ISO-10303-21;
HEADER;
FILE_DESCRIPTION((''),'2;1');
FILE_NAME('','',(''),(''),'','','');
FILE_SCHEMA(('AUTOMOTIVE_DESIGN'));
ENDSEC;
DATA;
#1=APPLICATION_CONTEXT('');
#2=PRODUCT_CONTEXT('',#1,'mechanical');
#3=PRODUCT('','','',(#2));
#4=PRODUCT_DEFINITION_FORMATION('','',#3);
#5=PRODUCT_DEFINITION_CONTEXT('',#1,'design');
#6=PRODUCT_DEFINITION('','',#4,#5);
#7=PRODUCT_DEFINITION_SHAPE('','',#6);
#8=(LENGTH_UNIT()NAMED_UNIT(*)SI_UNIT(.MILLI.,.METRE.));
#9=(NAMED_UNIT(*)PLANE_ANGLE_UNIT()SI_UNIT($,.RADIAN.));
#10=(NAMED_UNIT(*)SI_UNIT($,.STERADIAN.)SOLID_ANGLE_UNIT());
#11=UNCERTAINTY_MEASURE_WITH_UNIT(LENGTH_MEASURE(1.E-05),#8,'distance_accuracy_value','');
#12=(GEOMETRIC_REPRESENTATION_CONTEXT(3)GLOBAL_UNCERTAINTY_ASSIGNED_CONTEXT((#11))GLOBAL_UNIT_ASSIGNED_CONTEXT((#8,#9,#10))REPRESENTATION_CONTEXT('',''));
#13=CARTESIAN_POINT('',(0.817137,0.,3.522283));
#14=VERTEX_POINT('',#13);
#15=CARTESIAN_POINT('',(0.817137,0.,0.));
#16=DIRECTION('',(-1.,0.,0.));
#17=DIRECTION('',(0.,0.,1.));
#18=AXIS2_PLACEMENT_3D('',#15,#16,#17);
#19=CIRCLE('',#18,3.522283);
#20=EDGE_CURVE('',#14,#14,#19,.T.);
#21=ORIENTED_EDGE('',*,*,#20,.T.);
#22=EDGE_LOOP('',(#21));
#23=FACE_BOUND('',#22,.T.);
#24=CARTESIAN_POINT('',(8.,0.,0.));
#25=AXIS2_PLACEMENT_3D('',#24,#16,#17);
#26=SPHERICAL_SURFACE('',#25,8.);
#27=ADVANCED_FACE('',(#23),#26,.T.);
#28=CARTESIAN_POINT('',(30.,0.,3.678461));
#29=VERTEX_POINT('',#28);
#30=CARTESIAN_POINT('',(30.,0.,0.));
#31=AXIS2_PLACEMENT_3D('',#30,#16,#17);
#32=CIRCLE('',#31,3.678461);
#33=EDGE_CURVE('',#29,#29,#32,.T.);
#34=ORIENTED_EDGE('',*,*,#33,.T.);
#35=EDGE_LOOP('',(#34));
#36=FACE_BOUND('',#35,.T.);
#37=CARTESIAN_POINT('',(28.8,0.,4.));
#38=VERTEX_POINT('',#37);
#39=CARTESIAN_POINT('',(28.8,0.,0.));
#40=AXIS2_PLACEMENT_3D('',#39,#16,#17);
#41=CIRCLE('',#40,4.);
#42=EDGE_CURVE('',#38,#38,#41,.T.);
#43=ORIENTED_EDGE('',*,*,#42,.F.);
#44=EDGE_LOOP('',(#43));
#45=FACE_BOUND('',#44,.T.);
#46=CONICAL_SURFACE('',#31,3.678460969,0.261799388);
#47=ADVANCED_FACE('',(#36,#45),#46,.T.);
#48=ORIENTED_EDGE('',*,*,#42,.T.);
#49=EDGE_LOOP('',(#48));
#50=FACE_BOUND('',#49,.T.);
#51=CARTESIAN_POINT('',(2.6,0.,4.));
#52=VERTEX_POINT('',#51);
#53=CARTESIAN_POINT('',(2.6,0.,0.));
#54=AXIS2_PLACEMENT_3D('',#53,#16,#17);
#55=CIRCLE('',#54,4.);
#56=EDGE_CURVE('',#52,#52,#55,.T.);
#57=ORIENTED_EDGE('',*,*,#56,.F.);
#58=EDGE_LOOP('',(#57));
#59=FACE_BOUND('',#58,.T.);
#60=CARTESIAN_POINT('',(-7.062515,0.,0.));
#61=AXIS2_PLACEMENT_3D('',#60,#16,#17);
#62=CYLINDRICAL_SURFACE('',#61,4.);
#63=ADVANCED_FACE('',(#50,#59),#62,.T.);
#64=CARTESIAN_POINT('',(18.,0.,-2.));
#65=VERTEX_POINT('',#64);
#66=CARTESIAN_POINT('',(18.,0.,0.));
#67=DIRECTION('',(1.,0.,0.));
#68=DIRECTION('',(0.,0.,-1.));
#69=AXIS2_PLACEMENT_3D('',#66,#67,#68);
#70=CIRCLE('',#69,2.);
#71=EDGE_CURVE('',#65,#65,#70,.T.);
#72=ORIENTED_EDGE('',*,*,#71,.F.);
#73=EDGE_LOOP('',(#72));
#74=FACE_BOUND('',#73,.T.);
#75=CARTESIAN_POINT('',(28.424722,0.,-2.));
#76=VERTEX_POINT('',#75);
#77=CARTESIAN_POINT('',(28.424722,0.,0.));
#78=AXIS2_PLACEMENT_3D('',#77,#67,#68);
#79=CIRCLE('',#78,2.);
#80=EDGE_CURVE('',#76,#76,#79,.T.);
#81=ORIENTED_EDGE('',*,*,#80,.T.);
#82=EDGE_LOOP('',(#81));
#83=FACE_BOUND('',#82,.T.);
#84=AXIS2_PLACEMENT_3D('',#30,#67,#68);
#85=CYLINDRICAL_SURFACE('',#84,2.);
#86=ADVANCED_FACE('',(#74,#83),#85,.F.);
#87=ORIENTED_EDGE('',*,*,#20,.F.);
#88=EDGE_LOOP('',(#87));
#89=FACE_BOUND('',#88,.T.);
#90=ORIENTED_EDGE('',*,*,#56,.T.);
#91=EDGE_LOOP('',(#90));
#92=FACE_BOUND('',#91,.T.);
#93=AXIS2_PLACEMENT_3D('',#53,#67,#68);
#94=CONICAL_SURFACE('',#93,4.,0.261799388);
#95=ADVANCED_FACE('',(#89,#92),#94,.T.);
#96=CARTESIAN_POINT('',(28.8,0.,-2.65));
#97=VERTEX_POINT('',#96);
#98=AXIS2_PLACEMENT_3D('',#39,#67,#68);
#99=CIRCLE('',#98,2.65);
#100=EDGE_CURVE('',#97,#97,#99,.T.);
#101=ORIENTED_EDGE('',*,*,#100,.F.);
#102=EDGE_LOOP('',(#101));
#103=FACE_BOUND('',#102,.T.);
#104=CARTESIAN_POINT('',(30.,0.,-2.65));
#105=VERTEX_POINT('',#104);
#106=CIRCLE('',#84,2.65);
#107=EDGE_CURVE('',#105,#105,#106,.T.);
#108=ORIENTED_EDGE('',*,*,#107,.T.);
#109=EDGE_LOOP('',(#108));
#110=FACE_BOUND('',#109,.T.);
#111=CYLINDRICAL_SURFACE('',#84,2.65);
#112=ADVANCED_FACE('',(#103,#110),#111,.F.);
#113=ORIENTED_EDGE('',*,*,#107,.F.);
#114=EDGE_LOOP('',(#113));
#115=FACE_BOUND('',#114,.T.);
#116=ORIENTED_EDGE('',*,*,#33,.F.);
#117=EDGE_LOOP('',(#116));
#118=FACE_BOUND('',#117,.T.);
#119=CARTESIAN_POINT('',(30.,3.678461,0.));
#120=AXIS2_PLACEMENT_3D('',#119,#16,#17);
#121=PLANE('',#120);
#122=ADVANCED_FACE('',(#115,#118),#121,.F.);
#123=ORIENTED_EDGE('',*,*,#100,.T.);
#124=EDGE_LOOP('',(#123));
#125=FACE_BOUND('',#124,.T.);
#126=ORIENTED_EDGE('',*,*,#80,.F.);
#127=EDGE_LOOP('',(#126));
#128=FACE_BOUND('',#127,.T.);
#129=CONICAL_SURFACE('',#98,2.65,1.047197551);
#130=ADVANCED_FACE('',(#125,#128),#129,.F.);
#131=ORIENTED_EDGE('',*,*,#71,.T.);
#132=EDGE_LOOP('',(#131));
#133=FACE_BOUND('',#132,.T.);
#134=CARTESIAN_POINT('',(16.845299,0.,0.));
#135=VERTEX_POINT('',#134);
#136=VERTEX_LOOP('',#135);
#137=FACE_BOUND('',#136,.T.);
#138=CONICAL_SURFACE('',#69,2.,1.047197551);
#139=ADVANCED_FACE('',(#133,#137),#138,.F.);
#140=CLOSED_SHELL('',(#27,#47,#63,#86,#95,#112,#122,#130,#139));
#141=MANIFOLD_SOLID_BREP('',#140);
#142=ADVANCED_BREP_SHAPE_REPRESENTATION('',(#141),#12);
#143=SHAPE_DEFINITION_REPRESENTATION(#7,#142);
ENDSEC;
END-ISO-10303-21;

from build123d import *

# Parameters (mm, degrees)
PER_AGE1_D     = 4
PER_AGE1_DEPTH = 12
PER_AGE1_TIP   = 1.154700538
PER_AGE2_D     = 5.3
PER_AGE2_DEPTH = 1.2
PER_AGE2_TIP   = 1.529978213


with BuildPart() as part:
    # Esquisse1 → Base-Révolution (revolve)
    with BuildSketch(Plane.XY, mode=Mode.PRIVATE) as base_r_volution_sk:
        with BuildLine():
            Line((0.817137041, 3.52228331), (2.6, 4))
            Line((2.6, 4), (28.8, 4))
            Line((28.8, 4), (30, 3.678460969))
            Line((30, 3.678460969), (30, 0))
            Line((30, 0), (0, 0))
            ThreePointArc((0, 0), (0.206961322, 1.807912654), (0.817137041, 3.52228331))
        make_face()
    revolve(base_r_volution_sk.sketch.rotate(Axis((-7.062515413, 0, 0), (1, 0, 0)), 90), axis=Axis((-7.062515413, 0, 0), (1, 0, 0)))

    # Perçage1
    with Locations(Plane(origin=(30, 0, 0), x_dir=(0, 0, -1), z_dir=(1, 0, 0))):
        with Locations((0, 0)):
            Hole(PER_AGE1_D / 2, depth=PER_AGE1_DEPTH)
            with Locations((0, 0, -(PER_AGE1_DEPTH + PER_AGE1_TIP / 2))):  # 120° drill point
                Cone(0, PER_AGE1_D / 2, PER_AGE1_TIP, mode=Mode.SUBTRACT)

    # Perçage2
    with Locations(Plane(origin=(30, 0, 0), x_dir=(0, 0, -1), z_dir=(1, 0, 0))):
        with Locations((0, 0)):
            Hole(PER_AGE2_D / 2, depth=PER_AGE2_DEPTH)
            with Locations((0, 0, -(PER_AGE2_DEPTH + PER_AGE2_TIP / 2))):  # 120° drill point
                Cone(0, PER_AGE2_D / 2, PER_AGE2_TIP, mode=Mode.SUBTRACT)


solid = part.part
